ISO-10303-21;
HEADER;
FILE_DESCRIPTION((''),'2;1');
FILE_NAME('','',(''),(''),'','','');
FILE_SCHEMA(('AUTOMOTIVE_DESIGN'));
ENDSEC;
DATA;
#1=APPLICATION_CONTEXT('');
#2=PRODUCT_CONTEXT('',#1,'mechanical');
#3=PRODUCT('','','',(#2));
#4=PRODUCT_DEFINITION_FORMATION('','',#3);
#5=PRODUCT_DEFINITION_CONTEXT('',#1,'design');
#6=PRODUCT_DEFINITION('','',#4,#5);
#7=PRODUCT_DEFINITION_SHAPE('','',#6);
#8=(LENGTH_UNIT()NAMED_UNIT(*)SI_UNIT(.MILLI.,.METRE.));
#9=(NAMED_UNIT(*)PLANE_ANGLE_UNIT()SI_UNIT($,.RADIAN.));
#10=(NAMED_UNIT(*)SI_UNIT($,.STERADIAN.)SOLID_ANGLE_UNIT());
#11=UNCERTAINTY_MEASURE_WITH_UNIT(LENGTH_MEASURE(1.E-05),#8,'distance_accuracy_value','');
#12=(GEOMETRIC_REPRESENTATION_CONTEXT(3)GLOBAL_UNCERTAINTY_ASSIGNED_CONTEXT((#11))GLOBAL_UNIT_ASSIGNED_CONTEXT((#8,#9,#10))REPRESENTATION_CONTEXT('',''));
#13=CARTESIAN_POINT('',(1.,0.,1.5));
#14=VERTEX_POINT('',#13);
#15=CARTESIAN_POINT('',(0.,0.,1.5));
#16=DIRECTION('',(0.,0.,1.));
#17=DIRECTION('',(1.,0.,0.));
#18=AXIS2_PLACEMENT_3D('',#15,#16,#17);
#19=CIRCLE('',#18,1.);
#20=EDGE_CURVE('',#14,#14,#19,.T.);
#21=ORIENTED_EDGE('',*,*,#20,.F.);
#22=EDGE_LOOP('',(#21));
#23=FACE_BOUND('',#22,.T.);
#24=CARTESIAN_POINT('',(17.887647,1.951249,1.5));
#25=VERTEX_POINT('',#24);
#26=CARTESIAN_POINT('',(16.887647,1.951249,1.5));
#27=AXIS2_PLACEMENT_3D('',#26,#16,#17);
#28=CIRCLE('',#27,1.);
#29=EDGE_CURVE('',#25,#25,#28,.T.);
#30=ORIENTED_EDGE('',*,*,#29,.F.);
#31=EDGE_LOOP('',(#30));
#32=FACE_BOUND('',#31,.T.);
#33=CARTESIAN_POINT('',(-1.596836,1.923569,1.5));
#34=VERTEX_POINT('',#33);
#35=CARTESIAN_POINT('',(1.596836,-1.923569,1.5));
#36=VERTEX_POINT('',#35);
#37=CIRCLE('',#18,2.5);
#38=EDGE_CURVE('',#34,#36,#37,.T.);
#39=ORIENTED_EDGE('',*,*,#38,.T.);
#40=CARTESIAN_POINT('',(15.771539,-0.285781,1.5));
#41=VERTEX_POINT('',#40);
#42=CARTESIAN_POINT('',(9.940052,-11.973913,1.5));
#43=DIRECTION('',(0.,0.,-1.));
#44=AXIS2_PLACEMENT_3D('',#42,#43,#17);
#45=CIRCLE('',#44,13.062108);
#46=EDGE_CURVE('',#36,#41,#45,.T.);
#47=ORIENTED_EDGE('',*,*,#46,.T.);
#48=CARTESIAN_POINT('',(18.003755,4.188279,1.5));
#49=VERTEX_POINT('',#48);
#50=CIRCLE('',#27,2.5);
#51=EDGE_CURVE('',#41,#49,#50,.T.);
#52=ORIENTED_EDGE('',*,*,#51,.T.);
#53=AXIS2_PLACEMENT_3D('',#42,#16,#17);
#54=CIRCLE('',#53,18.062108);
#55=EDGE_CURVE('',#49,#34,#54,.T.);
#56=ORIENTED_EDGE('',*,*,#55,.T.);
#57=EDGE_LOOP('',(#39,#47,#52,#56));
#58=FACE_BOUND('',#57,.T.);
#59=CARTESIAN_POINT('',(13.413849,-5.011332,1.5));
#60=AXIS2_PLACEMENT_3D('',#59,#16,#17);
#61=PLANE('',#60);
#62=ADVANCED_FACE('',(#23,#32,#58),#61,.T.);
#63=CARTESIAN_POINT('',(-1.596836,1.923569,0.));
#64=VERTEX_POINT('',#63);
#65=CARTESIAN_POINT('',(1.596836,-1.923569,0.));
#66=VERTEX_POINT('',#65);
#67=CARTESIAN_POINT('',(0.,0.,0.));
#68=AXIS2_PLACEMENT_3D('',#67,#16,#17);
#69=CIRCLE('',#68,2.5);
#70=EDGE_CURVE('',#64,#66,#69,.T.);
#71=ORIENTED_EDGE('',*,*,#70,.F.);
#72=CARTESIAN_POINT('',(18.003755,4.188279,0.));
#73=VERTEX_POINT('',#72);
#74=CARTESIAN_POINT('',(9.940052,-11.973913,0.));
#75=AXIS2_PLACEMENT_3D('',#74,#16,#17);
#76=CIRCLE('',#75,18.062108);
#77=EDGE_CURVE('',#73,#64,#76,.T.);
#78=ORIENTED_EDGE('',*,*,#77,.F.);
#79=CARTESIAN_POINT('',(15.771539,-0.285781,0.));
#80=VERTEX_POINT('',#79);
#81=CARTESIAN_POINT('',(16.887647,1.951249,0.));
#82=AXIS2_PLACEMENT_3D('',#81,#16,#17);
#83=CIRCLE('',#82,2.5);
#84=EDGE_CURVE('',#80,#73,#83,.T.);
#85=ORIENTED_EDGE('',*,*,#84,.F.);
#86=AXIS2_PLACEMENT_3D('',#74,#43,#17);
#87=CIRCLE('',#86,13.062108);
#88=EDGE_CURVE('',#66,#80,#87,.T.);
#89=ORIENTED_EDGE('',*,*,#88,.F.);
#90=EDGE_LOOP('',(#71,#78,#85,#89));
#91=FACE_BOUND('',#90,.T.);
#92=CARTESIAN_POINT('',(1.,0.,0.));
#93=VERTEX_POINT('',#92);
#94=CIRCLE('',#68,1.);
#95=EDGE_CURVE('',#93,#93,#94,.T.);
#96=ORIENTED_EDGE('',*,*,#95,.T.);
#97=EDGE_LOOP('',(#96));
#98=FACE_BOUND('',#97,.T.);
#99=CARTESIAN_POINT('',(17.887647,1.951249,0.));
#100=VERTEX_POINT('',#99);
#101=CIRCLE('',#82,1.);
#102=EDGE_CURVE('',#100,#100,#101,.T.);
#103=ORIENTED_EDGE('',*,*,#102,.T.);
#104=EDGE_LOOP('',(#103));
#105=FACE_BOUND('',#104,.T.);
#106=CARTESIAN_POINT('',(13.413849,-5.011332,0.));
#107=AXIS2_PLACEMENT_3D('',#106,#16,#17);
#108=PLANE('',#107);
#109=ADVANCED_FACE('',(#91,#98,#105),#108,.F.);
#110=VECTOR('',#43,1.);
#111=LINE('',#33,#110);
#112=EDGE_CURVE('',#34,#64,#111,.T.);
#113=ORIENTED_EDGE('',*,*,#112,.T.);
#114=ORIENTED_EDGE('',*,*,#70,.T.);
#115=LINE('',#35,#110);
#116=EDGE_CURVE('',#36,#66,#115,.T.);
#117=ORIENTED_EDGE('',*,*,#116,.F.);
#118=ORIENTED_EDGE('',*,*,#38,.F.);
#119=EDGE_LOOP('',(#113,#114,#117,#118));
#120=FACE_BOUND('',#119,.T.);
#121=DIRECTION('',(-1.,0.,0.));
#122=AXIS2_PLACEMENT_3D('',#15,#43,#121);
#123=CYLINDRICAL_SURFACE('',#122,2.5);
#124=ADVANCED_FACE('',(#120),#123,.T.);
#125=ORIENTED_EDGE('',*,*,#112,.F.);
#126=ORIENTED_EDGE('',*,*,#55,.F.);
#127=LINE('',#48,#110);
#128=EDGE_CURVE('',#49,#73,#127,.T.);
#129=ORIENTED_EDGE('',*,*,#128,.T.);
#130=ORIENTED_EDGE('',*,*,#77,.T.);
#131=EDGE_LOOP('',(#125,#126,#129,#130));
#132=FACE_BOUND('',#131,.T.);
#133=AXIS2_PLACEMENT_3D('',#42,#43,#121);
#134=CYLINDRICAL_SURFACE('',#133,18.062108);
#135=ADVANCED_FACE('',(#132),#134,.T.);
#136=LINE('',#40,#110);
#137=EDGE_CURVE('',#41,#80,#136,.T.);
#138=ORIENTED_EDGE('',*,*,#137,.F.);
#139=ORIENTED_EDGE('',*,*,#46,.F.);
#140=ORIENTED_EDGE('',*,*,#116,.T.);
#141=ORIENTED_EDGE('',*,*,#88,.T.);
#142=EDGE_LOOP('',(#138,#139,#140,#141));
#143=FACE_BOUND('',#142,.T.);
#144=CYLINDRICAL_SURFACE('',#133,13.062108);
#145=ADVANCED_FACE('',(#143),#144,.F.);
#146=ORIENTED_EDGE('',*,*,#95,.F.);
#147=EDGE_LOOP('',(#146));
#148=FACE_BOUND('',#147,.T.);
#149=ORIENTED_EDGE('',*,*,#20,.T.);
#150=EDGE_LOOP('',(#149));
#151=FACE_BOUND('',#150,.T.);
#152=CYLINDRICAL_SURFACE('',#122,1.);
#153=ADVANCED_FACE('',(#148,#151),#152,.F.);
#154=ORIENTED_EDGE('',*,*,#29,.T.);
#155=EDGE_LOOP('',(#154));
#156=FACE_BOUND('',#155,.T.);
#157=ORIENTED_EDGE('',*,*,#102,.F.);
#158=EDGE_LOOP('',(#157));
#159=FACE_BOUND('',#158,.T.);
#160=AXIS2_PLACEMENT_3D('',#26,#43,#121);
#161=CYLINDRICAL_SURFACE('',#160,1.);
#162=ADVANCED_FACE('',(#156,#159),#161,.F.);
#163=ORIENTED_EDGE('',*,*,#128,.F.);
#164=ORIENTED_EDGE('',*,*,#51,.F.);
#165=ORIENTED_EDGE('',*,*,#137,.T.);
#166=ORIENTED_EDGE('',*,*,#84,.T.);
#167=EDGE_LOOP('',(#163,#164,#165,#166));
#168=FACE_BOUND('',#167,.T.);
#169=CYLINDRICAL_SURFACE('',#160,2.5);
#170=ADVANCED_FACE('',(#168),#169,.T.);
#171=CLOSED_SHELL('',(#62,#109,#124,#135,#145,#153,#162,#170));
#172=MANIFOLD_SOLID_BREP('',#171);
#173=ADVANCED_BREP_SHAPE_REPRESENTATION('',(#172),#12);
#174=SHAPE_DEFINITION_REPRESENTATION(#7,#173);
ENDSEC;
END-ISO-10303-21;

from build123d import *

# Parameters (mm, degrees)
SKETCH1_R           = 1
BOSS_EXTRUDE1_DEPTH = 1.5


with BuildPart() as part:
    # Sketch1 → Boss-Extrude1 (new body)
    with BuildSketch(Plane.XY):
        with BuildLine():
            ThreePointArc((18.003754912, 4.188278926), (7.86689461, 5.968823142), (-1.596835619, 1.92356856))
            ThreePointArc((-1.596835619, 1.92356856), (-1.92356856, -1.596835619), (1.596835619, -1.92356856))
            ThreePointArc((1.596835619, -1.92356856), (8.440791329, 1.001868083), (15.771539488, -0.285781233))
            ThreePointArc((15.771539488, -0.285781233), (19.124677279, 0.835141134), (18.003754912, 4.188278926))
        make_face()
        Circle(SKETCH1_R, mode=Mode.SUBTRACT)
        with Locations((16.8876472, 1.951248846)):
            Circle(SKETCH1_R, mode=Mode.SUBTRACT)
    extrude(amount=BOSS_EXTRUDE1_DEPTH)


solid = part.part
